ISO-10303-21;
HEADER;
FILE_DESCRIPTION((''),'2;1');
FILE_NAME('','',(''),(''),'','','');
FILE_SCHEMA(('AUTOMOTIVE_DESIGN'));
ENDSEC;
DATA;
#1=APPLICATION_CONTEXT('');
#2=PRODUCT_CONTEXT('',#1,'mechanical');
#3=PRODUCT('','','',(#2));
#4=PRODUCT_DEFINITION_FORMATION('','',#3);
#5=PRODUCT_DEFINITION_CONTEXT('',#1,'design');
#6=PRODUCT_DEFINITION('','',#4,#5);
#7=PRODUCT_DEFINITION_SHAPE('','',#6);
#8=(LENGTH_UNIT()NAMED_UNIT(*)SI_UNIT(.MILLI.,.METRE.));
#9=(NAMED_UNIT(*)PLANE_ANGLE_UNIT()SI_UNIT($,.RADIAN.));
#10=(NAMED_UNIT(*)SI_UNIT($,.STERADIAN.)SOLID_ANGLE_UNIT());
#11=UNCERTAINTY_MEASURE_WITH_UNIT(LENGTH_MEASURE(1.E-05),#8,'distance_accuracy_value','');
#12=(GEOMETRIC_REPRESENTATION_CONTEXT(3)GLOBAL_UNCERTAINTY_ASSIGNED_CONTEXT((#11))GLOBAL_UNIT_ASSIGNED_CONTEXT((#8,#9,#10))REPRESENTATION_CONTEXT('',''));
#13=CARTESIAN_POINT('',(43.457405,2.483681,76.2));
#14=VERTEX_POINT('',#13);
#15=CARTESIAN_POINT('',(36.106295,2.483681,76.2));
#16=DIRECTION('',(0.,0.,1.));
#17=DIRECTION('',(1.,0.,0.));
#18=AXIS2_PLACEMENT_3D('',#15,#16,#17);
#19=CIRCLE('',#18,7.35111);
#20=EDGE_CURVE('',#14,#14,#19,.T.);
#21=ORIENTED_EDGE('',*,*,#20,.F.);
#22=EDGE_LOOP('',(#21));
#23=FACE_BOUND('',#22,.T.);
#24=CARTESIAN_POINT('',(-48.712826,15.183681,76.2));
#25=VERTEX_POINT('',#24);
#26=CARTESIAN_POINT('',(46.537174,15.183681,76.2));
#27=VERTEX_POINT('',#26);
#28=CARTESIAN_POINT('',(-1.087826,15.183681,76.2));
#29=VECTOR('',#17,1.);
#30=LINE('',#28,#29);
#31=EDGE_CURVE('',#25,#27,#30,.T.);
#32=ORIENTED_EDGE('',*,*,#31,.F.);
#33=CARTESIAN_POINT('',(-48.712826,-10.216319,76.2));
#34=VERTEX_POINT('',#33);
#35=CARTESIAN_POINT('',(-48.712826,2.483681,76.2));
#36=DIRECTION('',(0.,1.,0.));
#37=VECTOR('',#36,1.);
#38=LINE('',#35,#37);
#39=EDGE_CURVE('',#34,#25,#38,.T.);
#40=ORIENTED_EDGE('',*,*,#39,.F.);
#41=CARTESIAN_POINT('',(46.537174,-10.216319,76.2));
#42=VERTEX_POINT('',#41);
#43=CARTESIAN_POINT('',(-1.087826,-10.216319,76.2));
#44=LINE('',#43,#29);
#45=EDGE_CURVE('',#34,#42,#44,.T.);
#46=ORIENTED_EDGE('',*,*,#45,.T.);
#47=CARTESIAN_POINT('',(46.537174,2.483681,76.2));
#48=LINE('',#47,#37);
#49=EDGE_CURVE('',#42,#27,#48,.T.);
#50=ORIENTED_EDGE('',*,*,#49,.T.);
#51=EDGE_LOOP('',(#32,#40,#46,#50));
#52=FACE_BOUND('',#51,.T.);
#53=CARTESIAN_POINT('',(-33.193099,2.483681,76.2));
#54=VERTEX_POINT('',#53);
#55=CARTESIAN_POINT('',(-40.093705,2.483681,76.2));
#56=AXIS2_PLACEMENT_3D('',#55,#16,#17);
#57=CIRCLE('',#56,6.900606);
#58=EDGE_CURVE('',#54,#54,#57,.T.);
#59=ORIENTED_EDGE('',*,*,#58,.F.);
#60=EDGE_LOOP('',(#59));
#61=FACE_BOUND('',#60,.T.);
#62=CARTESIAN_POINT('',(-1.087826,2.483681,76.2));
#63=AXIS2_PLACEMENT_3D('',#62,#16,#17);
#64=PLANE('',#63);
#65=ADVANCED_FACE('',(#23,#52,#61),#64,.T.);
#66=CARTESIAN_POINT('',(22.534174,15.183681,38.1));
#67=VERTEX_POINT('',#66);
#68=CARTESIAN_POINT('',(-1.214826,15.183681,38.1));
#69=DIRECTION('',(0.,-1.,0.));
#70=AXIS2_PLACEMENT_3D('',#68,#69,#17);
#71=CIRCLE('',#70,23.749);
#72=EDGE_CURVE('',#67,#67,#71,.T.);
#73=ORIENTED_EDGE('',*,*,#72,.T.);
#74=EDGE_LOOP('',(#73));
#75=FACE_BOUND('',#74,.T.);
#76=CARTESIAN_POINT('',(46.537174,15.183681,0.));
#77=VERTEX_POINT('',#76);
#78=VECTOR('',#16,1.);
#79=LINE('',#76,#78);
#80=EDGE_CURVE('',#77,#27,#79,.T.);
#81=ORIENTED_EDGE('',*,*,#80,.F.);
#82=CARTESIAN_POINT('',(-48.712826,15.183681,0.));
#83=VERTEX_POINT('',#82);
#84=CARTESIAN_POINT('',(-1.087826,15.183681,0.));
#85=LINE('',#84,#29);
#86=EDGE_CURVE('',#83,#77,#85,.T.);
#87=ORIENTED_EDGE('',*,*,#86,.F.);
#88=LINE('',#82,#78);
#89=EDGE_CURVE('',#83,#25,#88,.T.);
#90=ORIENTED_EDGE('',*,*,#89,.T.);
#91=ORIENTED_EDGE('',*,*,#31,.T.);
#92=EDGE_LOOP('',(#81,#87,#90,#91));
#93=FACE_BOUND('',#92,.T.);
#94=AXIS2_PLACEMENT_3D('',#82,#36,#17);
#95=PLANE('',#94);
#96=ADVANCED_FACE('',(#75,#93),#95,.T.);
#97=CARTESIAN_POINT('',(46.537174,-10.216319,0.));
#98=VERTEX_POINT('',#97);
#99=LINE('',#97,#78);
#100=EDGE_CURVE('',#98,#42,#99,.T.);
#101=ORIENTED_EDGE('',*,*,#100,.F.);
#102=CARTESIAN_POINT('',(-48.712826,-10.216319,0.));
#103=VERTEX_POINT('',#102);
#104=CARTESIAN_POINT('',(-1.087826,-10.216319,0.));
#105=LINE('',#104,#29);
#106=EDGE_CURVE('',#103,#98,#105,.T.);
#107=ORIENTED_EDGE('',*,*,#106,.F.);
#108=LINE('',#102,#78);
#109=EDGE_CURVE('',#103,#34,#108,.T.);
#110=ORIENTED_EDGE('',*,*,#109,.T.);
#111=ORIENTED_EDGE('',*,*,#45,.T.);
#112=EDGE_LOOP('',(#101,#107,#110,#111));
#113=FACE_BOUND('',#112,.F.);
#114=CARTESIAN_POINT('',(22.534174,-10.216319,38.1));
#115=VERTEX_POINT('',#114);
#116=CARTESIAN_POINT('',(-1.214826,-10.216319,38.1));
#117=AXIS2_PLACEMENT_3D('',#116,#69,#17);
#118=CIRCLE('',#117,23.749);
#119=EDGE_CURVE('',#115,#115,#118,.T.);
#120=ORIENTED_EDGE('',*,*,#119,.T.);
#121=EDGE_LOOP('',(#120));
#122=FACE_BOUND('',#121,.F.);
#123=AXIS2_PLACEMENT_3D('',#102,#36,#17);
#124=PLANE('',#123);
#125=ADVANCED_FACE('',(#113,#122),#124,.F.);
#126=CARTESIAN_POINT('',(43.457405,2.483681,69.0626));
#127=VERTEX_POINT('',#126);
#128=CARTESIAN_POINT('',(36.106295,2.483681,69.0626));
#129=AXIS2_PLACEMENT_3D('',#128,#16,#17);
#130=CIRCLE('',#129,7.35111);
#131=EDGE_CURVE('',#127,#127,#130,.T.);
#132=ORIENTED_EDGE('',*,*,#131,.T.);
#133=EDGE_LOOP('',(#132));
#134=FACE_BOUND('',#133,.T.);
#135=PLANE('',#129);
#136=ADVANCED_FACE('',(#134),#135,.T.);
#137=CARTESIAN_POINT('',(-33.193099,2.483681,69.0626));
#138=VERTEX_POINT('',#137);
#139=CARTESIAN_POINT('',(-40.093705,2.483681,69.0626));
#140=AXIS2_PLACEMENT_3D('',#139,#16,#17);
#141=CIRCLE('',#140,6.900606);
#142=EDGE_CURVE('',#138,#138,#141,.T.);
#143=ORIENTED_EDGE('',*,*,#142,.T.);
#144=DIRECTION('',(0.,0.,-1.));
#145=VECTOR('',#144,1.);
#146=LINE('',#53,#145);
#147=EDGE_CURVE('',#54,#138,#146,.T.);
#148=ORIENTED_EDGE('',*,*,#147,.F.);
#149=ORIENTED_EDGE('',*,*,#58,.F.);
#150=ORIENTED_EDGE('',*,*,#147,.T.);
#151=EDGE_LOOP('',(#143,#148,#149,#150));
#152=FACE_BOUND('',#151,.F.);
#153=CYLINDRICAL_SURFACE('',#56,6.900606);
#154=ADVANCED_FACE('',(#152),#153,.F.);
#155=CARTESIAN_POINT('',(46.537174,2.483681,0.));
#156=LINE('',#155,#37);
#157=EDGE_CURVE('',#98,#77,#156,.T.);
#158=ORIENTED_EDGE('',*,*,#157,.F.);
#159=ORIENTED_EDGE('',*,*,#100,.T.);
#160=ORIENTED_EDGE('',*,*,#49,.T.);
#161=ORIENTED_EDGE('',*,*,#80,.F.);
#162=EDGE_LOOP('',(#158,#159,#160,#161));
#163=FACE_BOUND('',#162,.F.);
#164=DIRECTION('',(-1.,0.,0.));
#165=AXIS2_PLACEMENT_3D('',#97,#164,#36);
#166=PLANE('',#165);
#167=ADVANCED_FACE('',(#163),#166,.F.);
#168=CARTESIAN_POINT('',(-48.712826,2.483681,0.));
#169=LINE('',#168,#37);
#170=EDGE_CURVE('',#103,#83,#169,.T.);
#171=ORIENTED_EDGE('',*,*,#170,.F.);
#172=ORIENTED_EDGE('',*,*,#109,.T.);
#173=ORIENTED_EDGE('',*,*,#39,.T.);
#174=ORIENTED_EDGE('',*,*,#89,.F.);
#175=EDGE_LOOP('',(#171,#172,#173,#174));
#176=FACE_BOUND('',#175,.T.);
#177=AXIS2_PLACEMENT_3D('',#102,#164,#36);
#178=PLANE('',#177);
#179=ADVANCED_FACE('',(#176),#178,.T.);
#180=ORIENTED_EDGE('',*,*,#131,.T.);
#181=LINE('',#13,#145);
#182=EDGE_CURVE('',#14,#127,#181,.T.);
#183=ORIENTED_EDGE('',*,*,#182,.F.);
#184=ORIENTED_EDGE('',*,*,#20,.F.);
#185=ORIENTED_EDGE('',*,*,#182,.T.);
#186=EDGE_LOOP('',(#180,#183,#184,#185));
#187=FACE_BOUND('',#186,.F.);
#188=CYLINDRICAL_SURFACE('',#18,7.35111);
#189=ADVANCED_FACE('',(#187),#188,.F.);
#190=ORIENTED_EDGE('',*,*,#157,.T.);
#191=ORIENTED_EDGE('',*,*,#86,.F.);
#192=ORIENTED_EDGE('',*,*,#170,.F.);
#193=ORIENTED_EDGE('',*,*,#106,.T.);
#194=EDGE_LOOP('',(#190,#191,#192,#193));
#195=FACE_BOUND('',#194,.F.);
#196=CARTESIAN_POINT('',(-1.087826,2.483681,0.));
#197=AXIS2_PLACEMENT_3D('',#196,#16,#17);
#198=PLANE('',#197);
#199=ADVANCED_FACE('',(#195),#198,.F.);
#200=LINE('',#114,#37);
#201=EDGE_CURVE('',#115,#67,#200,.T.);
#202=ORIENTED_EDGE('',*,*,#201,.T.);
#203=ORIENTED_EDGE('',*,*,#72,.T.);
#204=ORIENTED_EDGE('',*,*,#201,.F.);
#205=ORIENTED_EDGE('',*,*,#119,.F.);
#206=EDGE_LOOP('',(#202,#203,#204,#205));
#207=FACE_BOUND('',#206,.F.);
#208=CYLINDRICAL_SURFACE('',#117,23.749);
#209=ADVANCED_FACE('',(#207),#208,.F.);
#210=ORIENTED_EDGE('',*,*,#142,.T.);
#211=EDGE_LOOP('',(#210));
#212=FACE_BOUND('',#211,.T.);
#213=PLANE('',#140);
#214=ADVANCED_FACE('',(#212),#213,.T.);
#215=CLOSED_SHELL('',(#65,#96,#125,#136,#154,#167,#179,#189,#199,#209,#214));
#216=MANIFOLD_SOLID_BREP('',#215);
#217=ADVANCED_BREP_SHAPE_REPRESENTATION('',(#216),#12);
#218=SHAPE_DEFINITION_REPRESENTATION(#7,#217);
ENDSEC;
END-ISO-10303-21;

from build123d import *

# Parameters (mm, degrees)
F0_W     = 95.25
F0_H     = 25.4
F1_DEPTH = 76.2
F2_R     = 7.35111
F2_R_2   = 6.900606
F3_DEPTH = 7.1374
F4_R     = 23.749
F5_DEPTH = 35.1103


with BuildPart() as f1:
    # F0 (on Top) → F1 (new body)
    with BuildSketch(Plane.XY):
        with Locations((-1.087826, 2.483681)):
            Rectangle(F0_W, F0_H)
    extrude(amount=F1_DEPTH)

    # F2 (on face) → F3 (cut)
    with BuildSketch(Plane.XY.offset(76.2)):
        with Locations((36.106295, 2.483681)):
            Circle(F2_R)
        with Locations((-40.093705, 2.483681)):
            Circle(F2_R_2)
    extrude(amount=-F3_DEPTH, mode=Mode.SUBTRACT)

    # F4 (on face) → F5 (cut)
    with BuildSketch(Plane.XZ.offset(10.216319)):
        with Locations((-1.214826, 38.1)):
            Circle(F4_R)
    extrude(amount=-F5_DEPTH, mode=Mode.SUBTRACT)


solid = f1.part
